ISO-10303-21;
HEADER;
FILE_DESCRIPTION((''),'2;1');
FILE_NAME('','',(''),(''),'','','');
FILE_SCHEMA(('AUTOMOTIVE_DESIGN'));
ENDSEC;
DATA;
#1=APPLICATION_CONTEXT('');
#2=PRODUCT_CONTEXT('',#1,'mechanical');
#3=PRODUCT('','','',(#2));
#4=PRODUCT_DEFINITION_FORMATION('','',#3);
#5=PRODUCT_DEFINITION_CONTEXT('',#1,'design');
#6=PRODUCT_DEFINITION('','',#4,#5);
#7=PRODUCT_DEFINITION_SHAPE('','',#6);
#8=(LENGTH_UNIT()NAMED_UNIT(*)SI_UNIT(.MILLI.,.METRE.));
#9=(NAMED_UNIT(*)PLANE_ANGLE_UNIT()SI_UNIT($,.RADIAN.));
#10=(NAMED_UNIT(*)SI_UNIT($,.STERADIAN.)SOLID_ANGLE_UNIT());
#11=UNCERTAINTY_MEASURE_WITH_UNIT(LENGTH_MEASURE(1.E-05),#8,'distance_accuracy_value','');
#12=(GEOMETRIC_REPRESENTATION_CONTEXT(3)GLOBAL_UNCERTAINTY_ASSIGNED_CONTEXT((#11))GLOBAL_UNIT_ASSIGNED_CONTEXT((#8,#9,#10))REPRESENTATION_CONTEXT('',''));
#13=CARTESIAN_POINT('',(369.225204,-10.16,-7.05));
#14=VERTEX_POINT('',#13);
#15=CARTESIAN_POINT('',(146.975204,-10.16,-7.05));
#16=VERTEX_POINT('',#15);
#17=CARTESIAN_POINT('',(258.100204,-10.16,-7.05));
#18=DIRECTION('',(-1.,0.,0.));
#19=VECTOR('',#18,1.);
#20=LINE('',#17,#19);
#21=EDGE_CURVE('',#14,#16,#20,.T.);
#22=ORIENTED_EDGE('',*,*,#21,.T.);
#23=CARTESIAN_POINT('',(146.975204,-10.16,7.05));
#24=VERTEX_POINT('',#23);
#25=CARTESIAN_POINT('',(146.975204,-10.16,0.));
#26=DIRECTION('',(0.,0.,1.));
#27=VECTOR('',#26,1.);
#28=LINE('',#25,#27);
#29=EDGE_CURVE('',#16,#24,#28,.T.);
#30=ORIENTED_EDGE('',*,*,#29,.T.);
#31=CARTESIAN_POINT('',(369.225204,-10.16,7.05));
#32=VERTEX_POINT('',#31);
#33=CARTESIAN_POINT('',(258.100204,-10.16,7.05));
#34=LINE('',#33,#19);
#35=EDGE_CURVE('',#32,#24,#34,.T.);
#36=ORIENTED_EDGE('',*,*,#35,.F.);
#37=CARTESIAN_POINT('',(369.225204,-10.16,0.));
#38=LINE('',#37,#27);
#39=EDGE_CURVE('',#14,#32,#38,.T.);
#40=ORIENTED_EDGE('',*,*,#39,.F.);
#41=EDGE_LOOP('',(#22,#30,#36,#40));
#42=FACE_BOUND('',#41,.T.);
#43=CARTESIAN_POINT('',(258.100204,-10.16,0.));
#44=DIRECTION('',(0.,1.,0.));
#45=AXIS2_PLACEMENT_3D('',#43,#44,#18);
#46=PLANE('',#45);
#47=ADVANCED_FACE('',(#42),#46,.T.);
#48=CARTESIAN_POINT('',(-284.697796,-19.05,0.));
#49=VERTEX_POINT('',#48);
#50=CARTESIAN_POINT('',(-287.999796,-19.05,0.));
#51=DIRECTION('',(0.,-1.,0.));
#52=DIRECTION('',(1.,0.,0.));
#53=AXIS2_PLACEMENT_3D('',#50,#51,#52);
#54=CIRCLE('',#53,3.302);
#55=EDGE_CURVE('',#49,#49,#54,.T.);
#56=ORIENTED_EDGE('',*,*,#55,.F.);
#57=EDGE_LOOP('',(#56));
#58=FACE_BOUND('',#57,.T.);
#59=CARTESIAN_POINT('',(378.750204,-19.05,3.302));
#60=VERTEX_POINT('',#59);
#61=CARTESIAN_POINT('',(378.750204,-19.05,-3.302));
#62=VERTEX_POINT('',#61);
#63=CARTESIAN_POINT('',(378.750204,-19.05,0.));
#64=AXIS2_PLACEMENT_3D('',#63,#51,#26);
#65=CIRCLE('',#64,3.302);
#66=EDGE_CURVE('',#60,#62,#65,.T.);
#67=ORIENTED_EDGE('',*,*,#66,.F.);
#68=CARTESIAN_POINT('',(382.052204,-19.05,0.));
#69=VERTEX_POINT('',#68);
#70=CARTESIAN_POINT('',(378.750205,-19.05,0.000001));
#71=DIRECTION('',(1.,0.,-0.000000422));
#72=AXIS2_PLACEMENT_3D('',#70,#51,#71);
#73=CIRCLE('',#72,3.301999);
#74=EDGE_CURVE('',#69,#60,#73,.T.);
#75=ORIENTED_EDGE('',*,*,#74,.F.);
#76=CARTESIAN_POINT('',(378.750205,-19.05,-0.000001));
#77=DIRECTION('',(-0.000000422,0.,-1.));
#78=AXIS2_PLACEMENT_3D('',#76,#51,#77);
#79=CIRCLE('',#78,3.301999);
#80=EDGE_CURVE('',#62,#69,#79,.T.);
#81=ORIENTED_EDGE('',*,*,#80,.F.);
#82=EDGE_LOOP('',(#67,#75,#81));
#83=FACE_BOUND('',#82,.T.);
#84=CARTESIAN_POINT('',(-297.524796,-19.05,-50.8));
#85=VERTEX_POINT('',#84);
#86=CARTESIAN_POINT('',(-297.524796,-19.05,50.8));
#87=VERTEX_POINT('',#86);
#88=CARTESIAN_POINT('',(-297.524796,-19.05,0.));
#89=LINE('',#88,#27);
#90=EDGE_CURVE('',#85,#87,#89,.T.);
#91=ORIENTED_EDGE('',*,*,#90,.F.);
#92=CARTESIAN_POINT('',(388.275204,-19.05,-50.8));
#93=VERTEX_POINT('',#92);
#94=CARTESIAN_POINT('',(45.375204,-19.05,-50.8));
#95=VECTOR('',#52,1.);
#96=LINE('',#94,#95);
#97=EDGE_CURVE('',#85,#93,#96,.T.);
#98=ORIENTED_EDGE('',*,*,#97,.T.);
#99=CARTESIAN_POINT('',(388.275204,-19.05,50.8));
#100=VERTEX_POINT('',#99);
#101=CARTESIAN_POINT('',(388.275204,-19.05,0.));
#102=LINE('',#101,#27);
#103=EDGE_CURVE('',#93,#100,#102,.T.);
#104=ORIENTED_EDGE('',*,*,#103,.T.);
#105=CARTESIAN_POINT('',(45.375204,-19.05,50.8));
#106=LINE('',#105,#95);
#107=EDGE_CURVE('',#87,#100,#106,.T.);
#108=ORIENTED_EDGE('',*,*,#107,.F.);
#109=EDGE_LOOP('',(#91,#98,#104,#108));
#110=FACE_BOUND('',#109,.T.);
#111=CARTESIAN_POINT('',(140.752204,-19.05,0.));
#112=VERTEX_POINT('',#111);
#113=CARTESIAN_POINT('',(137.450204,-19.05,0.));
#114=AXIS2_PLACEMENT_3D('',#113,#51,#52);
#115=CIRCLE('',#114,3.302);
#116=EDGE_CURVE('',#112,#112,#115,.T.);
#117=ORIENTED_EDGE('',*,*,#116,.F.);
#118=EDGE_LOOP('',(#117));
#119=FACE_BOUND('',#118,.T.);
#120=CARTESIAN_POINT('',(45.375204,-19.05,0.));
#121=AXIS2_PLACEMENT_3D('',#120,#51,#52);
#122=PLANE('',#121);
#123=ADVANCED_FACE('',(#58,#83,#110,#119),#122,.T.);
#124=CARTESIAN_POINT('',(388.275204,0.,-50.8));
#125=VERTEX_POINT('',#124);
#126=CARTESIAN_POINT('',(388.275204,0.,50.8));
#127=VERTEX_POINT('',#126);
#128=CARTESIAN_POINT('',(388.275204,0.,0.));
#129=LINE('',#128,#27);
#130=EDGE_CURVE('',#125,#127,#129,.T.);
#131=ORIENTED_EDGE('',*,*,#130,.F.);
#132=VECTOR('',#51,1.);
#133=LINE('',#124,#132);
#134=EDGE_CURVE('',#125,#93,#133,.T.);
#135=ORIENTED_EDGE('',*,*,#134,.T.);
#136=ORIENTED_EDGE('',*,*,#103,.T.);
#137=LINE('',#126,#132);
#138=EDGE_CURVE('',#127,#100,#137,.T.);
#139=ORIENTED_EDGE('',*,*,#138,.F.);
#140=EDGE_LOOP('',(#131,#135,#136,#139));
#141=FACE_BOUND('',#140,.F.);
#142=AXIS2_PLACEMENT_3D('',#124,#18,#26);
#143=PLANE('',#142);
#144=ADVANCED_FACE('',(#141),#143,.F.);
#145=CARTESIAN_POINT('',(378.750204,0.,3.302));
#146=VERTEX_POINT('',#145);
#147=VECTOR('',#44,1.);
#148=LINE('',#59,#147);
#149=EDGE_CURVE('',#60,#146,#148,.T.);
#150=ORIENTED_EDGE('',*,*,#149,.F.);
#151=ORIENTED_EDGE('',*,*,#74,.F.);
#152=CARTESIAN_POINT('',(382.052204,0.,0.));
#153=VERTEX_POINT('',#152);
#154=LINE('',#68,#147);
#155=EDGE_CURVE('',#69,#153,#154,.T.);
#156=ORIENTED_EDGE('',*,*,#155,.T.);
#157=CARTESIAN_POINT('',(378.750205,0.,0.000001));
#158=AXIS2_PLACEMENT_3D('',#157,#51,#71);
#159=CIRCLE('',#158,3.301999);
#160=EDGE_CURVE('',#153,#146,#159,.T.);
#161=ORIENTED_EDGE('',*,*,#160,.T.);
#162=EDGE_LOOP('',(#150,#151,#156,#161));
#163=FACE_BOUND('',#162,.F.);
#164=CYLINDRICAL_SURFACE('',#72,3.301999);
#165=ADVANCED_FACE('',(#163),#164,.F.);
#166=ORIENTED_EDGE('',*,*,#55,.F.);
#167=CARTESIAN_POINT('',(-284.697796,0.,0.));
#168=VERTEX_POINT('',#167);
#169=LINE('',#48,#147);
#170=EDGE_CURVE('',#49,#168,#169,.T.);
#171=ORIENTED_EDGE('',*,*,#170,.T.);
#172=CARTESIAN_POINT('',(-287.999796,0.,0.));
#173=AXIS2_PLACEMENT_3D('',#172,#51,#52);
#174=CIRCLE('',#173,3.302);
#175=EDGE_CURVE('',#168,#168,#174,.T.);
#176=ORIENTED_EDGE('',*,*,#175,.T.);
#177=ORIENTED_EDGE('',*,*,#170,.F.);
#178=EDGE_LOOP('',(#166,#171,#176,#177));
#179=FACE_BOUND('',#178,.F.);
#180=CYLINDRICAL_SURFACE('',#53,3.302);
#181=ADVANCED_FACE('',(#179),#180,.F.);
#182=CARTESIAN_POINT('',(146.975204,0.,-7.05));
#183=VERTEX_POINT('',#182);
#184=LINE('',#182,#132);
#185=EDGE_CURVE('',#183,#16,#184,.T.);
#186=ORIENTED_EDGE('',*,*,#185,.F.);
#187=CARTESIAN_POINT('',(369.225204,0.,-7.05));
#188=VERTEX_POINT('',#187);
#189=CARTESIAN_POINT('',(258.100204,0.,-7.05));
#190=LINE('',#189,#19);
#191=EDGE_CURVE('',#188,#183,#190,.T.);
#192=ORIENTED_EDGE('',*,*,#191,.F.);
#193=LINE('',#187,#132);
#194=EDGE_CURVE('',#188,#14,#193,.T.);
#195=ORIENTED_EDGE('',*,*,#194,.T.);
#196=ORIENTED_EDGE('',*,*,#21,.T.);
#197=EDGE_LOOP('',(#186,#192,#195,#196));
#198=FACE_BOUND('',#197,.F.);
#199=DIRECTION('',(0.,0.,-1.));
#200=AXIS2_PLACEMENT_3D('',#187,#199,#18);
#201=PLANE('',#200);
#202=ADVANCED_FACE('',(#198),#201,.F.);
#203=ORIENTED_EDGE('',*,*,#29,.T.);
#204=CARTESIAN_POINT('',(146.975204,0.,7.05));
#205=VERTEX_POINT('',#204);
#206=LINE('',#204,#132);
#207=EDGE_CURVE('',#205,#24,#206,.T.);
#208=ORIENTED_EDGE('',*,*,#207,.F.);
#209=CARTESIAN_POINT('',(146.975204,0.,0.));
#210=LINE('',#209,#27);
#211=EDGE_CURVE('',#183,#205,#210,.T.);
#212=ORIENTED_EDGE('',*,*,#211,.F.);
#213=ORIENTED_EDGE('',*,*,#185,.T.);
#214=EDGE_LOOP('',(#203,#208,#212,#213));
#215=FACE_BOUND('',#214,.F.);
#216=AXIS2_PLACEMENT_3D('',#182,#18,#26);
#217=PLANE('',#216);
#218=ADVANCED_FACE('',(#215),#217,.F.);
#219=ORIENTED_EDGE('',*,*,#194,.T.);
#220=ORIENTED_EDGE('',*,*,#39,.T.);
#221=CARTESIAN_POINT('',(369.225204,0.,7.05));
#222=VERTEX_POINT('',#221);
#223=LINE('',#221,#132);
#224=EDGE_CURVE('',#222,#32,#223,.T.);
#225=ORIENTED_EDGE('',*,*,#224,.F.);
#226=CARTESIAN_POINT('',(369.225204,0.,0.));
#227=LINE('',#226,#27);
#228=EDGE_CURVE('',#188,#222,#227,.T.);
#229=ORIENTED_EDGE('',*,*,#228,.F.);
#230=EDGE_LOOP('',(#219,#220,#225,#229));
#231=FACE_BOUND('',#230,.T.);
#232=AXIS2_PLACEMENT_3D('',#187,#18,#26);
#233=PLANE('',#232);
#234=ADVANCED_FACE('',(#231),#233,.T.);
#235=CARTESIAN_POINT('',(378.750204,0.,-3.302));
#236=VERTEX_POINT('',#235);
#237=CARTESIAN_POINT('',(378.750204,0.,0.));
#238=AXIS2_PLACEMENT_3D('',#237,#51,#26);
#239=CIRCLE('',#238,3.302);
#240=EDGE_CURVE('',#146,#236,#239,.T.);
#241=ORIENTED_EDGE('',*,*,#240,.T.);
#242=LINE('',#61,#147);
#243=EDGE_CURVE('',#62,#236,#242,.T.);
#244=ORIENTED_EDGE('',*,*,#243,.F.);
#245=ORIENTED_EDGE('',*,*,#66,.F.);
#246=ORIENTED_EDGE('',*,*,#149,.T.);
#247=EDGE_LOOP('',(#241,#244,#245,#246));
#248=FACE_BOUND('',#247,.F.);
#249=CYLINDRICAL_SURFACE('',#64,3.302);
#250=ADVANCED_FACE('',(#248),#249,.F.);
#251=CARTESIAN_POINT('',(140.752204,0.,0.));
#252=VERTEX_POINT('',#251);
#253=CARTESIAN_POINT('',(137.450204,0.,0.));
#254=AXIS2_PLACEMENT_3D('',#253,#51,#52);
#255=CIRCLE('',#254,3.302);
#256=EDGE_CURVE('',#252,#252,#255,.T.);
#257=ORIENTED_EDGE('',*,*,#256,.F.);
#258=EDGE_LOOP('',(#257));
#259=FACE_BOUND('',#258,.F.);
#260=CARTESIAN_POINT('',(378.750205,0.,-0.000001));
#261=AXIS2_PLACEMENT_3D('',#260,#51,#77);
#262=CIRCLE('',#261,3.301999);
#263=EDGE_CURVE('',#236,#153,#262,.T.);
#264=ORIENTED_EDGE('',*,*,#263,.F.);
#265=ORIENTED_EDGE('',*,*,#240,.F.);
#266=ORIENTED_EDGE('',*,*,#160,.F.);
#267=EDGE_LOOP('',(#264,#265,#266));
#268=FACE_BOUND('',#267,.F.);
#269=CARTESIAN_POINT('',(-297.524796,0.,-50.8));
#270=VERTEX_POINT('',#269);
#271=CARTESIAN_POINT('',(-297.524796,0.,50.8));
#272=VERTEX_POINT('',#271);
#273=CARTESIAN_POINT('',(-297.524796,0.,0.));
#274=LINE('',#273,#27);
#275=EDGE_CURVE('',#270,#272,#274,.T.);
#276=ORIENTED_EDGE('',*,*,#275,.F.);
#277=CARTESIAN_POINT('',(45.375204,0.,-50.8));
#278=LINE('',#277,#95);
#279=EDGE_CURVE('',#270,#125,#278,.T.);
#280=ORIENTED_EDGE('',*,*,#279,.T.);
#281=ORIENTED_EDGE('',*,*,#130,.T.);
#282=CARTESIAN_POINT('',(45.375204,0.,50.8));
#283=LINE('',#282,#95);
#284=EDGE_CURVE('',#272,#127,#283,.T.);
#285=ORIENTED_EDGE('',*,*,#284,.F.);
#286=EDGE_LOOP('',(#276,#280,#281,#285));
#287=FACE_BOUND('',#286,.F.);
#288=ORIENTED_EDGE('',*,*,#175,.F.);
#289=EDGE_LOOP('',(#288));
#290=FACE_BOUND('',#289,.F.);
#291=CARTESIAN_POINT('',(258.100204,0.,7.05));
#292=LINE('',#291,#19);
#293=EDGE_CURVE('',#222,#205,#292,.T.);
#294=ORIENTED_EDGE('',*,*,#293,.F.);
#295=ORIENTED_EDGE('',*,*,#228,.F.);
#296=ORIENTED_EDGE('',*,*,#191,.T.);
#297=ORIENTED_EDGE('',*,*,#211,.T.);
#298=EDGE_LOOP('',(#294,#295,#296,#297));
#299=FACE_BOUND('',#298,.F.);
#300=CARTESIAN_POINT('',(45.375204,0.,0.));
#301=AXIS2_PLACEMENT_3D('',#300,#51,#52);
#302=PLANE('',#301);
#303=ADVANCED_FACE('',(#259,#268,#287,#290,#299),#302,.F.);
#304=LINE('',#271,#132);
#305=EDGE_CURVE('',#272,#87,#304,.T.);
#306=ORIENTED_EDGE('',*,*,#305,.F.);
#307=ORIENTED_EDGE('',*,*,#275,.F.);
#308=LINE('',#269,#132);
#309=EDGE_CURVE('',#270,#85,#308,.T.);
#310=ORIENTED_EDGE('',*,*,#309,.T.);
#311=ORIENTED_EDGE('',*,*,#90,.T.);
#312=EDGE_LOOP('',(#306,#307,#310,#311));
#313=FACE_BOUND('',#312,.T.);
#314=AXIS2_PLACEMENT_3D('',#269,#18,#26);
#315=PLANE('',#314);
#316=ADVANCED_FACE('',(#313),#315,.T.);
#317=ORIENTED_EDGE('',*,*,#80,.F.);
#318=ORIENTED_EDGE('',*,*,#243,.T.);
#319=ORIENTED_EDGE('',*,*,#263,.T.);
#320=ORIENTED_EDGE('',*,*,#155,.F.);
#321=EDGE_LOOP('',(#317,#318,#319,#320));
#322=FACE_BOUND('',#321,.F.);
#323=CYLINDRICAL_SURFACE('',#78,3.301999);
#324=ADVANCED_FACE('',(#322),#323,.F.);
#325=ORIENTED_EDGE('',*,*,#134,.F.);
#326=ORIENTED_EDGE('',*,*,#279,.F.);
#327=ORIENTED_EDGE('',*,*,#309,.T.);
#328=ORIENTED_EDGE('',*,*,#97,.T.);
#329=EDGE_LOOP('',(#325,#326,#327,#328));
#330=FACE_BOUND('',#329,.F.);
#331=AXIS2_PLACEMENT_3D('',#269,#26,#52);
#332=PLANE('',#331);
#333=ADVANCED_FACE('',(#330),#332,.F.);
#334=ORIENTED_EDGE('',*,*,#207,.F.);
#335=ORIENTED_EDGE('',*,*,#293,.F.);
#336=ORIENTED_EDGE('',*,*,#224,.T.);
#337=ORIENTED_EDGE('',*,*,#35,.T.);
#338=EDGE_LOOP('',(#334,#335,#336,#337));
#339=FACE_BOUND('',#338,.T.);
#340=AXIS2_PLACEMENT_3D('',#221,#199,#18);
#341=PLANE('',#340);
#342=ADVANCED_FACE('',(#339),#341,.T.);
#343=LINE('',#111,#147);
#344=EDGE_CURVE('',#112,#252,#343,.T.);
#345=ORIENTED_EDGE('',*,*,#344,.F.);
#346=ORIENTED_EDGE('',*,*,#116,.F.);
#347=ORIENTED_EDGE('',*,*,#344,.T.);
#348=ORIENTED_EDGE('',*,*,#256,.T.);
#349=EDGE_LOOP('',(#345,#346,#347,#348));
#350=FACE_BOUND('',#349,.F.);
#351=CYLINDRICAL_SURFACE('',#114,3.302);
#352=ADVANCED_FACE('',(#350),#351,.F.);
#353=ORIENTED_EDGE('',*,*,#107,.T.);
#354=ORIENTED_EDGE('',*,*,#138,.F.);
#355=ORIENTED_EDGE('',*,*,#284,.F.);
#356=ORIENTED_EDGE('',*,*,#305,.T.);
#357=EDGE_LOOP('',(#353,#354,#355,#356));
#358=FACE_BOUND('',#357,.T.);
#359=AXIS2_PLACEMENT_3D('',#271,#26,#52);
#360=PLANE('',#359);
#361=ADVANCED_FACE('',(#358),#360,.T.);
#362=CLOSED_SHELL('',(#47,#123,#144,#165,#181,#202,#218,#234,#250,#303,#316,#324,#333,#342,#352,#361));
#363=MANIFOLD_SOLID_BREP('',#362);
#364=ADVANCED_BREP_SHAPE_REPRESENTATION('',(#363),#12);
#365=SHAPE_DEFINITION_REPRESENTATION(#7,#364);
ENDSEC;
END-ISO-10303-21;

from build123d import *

# Parameters (mm, degrees)
F0_W     = 685.8
F0_H     = 101.6
F1_DEPTH = 19.05
F2_W     = 222.25
F2_H     = 14.1
F3_DEPTH = 10.16
F4_R     = 3.302
F5_DEPTH = 25.4


with BuildPart() as f1:
    # F0 (on Front) → F1 (new body)
    with BuildSketch(Plane.XZ):
        with Locations((45.375204, 0)):
            Rectangle(F0_W, F0_H)
    extrude(amount=F1_DEPTH)

    # F2 (on face) → F3 (cut)
    with BuildSketch(Plane(origin=(0, 0, 0), x_dir=(-1, 0, 0), z_dir=(0, 1, 0))):
        with Locations((-258.100204, 0)):
            Rectangle(F2_W, F2_H)
    extrude(amount=-F3_DEPTH, mode=Mode.SUBTRACT)

    # F4 (on face) → F5 (cut)
    with BuildSketch(Plane.XZ.offset(19.05)):
        with BuildLine():
            ThreePointArc((382.052204, 0), (381.085071, 2.334867), (378.750204, 3.302))
            Line((378.750204, 3.302), (378.750204, 0))
            Line((378.750204, 0), (378.750204, -3.302))
            ThreePointArc((378.750204, -3.302), (381.085071, -2.334867), (382.052204, 0))
        make_face()
        with BuildLine():
            Line((378.750204, 0), (378.750204, 3.302))
            ThreePointArc((378.750204, 3.302), (375.448204, 0), (378.750204, -3.302))
            Line((378.750204, -3.302), (378.750204, 0))
        make_face()
        with Locations((137.450204, 0)):
            Circle(F4_R)
        with Locations((-287.999796, 0)):
            Circle(F4_R)
    extrude(amount=-F5_DEPTH, mode=Mode.SUBTRACT)


solid = f1.part
